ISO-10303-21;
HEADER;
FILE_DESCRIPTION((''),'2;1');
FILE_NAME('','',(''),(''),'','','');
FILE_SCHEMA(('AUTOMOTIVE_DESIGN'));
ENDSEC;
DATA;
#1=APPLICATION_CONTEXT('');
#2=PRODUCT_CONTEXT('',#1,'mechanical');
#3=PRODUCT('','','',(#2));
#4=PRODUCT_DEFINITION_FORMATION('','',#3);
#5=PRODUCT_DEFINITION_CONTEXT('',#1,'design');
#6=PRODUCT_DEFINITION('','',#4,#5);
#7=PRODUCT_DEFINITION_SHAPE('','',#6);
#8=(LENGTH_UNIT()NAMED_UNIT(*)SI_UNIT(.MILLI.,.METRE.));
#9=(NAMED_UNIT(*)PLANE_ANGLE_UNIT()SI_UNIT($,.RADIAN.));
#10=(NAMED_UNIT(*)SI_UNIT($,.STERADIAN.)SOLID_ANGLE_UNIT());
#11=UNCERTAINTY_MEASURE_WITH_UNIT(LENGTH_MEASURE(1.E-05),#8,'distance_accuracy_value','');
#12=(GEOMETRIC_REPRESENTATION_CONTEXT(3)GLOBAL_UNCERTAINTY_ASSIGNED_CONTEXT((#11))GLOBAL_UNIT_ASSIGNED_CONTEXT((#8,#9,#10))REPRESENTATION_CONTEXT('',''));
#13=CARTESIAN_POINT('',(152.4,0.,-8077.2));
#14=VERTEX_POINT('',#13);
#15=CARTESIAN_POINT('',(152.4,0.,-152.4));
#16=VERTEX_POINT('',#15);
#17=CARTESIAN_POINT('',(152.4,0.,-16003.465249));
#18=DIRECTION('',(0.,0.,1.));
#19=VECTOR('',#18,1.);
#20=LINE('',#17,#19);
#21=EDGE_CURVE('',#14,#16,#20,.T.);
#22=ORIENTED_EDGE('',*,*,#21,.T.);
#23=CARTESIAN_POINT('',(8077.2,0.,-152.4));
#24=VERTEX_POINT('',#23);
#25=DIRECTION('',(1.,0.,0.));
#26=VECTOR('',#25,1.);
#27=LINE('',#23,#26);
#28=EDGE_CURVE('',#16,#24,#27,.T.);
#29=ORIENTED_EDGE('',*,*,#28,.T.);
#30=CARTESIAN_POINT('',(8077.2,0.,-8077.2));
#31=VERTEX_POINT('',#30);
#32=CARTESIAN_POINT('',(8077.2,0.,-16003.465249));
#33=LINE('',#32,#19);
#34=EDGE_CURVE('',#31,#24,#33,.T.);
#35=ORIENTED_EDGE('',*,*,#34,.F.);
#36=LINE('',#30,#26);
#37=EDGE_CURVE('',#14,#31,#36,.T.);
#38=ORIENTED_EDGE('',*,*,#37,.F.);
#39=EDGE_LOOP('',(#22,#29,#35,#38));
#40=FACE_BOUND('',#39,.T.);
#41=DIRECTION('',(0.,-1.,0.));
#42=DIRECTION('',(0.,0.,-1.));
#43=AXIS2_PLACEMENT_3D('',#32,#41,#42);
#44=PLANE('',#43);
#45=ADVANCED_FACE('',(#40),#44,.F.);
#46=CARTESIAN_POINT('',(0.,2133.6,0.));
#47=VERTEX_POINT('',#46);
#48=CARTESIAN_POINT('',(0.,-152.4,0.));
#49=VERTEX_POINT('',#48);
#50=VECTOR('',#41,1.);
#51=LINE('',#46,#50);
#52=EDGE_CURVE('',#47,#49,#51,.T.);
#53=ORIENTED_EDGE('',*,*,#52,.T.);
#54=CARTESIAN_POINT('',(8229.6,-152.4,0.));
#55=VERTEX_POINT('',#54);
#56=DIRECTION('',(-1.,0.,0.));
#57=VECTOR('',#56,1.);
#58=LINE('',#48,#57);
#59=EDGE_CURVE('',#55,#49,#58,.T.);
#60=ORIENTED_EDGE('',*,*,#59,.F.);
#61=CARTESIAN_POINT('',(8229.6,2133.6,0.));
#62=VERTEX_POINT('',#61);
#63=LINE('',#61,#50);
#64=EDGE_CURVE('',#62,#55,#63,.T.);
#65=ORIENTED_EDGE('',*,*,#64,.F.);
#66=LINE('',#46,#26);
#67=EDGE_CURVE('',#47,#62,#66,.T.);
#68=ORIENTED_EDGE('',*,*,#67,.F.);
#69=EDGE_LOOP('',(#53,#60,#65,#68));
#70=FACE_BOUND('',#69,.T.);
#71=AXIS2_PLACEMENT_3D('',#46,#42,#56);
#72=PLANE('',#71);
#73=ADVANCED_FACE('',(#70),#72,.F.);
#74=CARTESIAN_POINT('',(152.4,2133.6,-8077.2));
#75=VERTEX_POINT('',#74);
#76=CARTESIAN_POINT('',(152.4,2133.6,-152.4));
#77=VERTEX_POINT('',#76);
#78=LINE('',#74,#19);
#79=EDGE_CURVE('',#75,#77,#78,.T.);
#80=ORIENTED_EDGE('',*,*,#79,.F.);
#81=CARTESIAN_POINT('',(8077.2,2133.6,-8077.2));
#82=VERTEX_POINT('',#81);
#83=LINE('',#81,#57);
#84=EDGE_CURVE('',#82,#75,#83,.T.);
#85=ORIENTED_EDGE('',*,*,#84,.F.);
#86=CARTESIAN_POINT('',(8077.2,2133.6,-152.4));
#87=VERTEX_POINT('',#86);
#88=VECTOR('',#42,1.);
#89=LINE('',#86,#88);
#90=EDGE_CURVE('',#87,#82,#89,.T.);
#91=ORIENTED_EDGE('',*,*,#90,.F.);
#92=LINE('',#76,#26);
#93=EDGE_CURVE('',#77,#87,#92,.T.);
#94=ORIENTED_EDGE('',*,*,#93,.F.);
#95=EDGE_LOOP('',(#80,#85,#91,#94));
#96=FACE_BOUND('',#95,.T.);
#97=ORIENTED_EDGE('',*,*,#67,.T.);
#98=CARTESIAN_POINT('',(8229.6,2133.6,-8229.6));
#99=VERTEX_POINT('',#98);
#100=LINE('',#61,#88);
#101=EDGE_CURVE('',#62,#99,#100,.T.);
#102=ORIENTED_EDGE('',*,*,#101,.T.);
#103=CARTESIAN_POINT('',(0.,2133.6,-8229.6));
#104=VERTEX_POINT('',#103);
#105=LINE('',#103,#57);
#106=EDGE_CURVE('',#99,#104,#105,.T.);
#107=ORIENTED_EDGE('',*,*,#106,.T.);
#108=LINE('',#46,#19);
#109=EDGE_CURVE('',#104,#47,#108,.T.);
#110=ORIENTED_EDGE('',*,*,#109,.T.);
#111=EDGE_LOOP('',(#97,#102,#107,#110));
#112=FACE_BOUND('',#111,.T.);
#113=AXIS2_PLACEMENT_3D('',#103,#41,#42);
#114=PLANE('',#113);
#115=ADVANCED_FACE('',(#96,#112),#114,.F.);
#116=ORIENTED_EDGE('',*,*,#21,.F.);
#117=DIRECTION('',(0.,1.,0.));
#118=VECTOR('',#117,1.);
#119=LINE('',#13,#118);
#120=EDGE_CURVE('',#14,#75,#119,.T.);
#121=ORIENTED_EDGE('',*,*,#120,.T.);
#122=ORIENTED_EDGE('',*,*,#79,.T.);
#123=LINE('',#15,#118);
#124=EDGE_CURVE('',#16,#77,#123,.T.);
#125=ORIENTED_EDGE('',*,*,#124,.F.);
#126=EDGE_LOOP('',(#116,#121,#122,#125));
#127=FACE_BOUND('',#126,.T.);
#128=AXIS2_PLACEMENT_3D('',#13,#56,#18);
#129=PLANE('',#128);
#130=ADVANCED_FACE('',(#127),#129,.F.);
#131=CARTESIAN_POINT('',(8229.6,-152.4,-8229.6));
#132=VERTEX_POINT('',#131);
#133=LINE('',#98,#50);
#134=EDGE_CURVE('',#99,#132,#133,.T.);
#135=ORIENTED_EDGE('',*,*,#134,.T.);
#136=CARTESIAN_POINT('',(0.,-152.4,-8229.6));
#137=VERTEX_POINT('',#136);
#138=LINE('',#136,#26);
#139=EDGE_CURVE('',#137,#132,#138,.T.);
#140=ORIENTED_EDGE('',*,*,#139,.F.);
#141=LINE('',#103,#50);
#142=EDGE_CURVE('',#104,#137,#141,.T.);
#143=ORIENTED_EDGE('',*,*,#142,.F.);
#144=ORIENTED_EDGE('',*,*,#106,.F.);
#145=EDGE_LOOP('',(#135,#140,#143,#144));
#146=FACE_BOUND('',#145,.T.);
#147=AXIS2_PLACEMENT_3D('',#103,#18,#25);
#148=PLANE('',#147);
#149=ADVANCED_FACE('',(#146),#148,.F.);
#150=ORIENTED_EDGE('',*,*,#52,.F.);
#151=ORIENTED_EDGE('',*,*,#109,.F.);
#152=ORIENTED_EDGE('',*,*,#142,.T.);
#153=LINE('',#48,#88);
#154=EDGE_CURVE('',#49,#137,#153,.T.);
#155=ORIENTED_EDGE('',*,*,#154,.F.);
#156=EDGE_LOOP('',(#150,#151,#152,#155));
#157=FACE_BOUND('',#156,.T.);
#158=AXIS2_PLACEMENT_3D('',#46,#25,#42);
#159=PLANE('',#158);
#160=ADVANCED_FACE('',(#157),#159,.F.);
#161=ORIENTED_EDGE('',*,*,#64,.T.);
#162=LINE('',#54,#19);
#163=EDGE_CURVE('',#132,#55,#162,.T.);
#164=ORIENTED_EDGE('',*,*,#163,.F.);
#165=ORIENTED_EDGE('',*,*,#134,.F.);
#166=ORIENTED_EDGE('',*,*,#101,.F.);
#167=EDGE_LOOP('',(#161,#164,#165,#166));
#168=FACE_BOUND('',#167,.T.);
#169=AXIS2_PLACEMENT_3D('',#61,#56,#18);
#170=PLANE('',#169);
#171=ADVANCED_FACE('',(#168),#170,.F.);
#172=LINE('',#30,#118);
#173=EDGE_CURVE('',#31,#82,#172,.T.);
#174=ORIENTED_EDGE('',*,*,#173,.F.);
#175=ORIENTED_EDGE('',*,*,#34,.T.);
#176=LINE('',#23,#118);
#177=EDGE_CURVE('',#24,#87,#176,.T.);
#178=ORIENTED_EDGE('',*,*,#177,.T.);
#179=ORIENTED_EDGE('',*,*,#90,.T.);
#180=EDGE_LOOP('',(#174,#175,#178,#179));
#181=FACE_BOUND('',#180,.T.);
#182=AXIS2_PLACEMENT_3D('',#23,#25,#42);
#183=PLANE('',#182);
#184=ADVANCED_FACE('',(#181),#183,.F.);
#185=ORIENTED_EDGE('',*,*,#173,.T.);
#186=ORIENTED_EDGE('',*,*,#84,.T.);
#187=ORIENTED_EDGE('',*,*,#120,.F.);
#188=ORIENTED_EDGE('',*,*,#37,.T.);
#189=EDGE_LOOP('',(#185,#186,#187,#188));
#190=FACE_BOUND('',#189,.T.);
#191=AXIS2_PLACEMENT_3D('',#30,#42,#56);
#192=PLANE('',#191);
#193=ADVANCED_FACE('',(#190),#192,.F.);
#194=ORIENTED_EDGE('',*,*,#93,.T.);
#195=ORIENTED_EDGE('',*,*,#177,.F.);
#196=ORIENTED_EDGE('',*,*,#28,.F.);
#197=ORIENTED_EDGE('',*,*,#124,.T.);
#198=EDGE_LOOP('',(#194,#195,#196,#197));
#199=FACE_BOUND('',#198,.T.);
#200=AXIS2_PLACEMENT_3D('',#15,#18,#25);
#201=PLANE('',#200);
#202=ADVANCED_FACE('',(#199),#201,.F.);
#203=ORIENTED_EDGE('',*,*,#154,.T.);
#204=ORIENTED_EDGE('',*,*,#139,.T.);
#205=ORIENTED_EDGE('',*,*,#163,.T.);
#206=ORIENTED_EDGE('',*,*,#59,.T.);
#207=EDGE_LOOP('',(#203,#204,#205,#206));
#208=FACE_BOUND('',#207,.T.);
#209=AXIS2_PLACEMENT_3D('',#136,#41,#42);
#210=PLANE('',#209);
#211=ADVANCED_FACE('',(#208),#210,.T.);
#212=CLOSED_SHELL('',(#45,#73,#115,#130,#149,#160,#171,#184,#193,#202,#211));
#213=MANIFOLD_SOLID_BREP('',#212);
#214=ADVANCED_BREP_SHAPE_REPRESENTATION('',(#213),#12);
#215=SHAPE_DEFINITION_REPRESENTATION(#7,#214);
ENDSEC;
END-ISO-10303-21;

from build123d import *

# Parameters (mm, degrees)
SKETCH1_W      = 8229.6
SKETCH1_H      = 8229.6
EXTRUDE2_DEPTH = 2133.6
SKETCH3_W      = 7924.8
SKETCH3_H      = 7924.8
EXTRUDE3_DEPTH = 11833.365836129
SKETCH4_W      = 8229.6
SKETCH4_H      = 8229.6
SKETCH4_W_2    = 7924.8
SKETCH4_H_2    = 7924.8
EXTRUDE4_DEPTH = 152.4
SKETCH6_W      = 7924.8
SKETCH6_H      = 152.4
EXTRUDE5_DEPTH = 7924.8


with BuildPart() as part:
    # Sketch1 → Extrude2 (new body)
    with BuildSketch(Plane(origin=(0, 0, 0), x_dir=(1, 0, 0), z_dir=(0, 1, 0))):
        with Locations((4114.8, 4114.8)):
            Rectangle(SKETCH1_W, SKETCH1_H)
    extrude(amount=EXTRUDE2_DEPTH)

    # Sketch3 → Extrude3 (cut, through all)
    with BuildSketch(Plane(origin=(0, 2133.6, 0), x_dir=(1, 0, 0), z_dir=(0, 1, 0))):
        with Locations((4114.8, 4114.8)):
            Rectangle(SKETCH3_W, SKETCH3_H)
    extrude(amount=-EXTRUDE3_DEPTH, mode=Mode.SUBTRACT)

    # Sketch4 → Extrude4 (add)
    with BuildSketch(Plane.XZ):
        with Locations((4114.8, -4114.8)):
            Rectangle(SKETCH4_W, SKETCH4_H)
        with Locations((4114.8, -4114.8)):
            Rectangle(SKETCH4_W_2, SKETCH4_H_2, mode=Mode.SUBTRACT)
    extrude(amount=EXTRUDE4_DEPTH)

    # Sketch6 → Extrude5 (add)
    with BuildSketch(Plane(origin=(0, 0, -152.4), x_dir=(-1, 0, 0), z_dir=(0, 0, -1))):
        with Locations((-4114.8, -76.2)):
            Rectangle(SKETCH6_W, SKETCH6_H)
    extrude(amount=EXTRUDE5_DEPTH)


solid = part.part
